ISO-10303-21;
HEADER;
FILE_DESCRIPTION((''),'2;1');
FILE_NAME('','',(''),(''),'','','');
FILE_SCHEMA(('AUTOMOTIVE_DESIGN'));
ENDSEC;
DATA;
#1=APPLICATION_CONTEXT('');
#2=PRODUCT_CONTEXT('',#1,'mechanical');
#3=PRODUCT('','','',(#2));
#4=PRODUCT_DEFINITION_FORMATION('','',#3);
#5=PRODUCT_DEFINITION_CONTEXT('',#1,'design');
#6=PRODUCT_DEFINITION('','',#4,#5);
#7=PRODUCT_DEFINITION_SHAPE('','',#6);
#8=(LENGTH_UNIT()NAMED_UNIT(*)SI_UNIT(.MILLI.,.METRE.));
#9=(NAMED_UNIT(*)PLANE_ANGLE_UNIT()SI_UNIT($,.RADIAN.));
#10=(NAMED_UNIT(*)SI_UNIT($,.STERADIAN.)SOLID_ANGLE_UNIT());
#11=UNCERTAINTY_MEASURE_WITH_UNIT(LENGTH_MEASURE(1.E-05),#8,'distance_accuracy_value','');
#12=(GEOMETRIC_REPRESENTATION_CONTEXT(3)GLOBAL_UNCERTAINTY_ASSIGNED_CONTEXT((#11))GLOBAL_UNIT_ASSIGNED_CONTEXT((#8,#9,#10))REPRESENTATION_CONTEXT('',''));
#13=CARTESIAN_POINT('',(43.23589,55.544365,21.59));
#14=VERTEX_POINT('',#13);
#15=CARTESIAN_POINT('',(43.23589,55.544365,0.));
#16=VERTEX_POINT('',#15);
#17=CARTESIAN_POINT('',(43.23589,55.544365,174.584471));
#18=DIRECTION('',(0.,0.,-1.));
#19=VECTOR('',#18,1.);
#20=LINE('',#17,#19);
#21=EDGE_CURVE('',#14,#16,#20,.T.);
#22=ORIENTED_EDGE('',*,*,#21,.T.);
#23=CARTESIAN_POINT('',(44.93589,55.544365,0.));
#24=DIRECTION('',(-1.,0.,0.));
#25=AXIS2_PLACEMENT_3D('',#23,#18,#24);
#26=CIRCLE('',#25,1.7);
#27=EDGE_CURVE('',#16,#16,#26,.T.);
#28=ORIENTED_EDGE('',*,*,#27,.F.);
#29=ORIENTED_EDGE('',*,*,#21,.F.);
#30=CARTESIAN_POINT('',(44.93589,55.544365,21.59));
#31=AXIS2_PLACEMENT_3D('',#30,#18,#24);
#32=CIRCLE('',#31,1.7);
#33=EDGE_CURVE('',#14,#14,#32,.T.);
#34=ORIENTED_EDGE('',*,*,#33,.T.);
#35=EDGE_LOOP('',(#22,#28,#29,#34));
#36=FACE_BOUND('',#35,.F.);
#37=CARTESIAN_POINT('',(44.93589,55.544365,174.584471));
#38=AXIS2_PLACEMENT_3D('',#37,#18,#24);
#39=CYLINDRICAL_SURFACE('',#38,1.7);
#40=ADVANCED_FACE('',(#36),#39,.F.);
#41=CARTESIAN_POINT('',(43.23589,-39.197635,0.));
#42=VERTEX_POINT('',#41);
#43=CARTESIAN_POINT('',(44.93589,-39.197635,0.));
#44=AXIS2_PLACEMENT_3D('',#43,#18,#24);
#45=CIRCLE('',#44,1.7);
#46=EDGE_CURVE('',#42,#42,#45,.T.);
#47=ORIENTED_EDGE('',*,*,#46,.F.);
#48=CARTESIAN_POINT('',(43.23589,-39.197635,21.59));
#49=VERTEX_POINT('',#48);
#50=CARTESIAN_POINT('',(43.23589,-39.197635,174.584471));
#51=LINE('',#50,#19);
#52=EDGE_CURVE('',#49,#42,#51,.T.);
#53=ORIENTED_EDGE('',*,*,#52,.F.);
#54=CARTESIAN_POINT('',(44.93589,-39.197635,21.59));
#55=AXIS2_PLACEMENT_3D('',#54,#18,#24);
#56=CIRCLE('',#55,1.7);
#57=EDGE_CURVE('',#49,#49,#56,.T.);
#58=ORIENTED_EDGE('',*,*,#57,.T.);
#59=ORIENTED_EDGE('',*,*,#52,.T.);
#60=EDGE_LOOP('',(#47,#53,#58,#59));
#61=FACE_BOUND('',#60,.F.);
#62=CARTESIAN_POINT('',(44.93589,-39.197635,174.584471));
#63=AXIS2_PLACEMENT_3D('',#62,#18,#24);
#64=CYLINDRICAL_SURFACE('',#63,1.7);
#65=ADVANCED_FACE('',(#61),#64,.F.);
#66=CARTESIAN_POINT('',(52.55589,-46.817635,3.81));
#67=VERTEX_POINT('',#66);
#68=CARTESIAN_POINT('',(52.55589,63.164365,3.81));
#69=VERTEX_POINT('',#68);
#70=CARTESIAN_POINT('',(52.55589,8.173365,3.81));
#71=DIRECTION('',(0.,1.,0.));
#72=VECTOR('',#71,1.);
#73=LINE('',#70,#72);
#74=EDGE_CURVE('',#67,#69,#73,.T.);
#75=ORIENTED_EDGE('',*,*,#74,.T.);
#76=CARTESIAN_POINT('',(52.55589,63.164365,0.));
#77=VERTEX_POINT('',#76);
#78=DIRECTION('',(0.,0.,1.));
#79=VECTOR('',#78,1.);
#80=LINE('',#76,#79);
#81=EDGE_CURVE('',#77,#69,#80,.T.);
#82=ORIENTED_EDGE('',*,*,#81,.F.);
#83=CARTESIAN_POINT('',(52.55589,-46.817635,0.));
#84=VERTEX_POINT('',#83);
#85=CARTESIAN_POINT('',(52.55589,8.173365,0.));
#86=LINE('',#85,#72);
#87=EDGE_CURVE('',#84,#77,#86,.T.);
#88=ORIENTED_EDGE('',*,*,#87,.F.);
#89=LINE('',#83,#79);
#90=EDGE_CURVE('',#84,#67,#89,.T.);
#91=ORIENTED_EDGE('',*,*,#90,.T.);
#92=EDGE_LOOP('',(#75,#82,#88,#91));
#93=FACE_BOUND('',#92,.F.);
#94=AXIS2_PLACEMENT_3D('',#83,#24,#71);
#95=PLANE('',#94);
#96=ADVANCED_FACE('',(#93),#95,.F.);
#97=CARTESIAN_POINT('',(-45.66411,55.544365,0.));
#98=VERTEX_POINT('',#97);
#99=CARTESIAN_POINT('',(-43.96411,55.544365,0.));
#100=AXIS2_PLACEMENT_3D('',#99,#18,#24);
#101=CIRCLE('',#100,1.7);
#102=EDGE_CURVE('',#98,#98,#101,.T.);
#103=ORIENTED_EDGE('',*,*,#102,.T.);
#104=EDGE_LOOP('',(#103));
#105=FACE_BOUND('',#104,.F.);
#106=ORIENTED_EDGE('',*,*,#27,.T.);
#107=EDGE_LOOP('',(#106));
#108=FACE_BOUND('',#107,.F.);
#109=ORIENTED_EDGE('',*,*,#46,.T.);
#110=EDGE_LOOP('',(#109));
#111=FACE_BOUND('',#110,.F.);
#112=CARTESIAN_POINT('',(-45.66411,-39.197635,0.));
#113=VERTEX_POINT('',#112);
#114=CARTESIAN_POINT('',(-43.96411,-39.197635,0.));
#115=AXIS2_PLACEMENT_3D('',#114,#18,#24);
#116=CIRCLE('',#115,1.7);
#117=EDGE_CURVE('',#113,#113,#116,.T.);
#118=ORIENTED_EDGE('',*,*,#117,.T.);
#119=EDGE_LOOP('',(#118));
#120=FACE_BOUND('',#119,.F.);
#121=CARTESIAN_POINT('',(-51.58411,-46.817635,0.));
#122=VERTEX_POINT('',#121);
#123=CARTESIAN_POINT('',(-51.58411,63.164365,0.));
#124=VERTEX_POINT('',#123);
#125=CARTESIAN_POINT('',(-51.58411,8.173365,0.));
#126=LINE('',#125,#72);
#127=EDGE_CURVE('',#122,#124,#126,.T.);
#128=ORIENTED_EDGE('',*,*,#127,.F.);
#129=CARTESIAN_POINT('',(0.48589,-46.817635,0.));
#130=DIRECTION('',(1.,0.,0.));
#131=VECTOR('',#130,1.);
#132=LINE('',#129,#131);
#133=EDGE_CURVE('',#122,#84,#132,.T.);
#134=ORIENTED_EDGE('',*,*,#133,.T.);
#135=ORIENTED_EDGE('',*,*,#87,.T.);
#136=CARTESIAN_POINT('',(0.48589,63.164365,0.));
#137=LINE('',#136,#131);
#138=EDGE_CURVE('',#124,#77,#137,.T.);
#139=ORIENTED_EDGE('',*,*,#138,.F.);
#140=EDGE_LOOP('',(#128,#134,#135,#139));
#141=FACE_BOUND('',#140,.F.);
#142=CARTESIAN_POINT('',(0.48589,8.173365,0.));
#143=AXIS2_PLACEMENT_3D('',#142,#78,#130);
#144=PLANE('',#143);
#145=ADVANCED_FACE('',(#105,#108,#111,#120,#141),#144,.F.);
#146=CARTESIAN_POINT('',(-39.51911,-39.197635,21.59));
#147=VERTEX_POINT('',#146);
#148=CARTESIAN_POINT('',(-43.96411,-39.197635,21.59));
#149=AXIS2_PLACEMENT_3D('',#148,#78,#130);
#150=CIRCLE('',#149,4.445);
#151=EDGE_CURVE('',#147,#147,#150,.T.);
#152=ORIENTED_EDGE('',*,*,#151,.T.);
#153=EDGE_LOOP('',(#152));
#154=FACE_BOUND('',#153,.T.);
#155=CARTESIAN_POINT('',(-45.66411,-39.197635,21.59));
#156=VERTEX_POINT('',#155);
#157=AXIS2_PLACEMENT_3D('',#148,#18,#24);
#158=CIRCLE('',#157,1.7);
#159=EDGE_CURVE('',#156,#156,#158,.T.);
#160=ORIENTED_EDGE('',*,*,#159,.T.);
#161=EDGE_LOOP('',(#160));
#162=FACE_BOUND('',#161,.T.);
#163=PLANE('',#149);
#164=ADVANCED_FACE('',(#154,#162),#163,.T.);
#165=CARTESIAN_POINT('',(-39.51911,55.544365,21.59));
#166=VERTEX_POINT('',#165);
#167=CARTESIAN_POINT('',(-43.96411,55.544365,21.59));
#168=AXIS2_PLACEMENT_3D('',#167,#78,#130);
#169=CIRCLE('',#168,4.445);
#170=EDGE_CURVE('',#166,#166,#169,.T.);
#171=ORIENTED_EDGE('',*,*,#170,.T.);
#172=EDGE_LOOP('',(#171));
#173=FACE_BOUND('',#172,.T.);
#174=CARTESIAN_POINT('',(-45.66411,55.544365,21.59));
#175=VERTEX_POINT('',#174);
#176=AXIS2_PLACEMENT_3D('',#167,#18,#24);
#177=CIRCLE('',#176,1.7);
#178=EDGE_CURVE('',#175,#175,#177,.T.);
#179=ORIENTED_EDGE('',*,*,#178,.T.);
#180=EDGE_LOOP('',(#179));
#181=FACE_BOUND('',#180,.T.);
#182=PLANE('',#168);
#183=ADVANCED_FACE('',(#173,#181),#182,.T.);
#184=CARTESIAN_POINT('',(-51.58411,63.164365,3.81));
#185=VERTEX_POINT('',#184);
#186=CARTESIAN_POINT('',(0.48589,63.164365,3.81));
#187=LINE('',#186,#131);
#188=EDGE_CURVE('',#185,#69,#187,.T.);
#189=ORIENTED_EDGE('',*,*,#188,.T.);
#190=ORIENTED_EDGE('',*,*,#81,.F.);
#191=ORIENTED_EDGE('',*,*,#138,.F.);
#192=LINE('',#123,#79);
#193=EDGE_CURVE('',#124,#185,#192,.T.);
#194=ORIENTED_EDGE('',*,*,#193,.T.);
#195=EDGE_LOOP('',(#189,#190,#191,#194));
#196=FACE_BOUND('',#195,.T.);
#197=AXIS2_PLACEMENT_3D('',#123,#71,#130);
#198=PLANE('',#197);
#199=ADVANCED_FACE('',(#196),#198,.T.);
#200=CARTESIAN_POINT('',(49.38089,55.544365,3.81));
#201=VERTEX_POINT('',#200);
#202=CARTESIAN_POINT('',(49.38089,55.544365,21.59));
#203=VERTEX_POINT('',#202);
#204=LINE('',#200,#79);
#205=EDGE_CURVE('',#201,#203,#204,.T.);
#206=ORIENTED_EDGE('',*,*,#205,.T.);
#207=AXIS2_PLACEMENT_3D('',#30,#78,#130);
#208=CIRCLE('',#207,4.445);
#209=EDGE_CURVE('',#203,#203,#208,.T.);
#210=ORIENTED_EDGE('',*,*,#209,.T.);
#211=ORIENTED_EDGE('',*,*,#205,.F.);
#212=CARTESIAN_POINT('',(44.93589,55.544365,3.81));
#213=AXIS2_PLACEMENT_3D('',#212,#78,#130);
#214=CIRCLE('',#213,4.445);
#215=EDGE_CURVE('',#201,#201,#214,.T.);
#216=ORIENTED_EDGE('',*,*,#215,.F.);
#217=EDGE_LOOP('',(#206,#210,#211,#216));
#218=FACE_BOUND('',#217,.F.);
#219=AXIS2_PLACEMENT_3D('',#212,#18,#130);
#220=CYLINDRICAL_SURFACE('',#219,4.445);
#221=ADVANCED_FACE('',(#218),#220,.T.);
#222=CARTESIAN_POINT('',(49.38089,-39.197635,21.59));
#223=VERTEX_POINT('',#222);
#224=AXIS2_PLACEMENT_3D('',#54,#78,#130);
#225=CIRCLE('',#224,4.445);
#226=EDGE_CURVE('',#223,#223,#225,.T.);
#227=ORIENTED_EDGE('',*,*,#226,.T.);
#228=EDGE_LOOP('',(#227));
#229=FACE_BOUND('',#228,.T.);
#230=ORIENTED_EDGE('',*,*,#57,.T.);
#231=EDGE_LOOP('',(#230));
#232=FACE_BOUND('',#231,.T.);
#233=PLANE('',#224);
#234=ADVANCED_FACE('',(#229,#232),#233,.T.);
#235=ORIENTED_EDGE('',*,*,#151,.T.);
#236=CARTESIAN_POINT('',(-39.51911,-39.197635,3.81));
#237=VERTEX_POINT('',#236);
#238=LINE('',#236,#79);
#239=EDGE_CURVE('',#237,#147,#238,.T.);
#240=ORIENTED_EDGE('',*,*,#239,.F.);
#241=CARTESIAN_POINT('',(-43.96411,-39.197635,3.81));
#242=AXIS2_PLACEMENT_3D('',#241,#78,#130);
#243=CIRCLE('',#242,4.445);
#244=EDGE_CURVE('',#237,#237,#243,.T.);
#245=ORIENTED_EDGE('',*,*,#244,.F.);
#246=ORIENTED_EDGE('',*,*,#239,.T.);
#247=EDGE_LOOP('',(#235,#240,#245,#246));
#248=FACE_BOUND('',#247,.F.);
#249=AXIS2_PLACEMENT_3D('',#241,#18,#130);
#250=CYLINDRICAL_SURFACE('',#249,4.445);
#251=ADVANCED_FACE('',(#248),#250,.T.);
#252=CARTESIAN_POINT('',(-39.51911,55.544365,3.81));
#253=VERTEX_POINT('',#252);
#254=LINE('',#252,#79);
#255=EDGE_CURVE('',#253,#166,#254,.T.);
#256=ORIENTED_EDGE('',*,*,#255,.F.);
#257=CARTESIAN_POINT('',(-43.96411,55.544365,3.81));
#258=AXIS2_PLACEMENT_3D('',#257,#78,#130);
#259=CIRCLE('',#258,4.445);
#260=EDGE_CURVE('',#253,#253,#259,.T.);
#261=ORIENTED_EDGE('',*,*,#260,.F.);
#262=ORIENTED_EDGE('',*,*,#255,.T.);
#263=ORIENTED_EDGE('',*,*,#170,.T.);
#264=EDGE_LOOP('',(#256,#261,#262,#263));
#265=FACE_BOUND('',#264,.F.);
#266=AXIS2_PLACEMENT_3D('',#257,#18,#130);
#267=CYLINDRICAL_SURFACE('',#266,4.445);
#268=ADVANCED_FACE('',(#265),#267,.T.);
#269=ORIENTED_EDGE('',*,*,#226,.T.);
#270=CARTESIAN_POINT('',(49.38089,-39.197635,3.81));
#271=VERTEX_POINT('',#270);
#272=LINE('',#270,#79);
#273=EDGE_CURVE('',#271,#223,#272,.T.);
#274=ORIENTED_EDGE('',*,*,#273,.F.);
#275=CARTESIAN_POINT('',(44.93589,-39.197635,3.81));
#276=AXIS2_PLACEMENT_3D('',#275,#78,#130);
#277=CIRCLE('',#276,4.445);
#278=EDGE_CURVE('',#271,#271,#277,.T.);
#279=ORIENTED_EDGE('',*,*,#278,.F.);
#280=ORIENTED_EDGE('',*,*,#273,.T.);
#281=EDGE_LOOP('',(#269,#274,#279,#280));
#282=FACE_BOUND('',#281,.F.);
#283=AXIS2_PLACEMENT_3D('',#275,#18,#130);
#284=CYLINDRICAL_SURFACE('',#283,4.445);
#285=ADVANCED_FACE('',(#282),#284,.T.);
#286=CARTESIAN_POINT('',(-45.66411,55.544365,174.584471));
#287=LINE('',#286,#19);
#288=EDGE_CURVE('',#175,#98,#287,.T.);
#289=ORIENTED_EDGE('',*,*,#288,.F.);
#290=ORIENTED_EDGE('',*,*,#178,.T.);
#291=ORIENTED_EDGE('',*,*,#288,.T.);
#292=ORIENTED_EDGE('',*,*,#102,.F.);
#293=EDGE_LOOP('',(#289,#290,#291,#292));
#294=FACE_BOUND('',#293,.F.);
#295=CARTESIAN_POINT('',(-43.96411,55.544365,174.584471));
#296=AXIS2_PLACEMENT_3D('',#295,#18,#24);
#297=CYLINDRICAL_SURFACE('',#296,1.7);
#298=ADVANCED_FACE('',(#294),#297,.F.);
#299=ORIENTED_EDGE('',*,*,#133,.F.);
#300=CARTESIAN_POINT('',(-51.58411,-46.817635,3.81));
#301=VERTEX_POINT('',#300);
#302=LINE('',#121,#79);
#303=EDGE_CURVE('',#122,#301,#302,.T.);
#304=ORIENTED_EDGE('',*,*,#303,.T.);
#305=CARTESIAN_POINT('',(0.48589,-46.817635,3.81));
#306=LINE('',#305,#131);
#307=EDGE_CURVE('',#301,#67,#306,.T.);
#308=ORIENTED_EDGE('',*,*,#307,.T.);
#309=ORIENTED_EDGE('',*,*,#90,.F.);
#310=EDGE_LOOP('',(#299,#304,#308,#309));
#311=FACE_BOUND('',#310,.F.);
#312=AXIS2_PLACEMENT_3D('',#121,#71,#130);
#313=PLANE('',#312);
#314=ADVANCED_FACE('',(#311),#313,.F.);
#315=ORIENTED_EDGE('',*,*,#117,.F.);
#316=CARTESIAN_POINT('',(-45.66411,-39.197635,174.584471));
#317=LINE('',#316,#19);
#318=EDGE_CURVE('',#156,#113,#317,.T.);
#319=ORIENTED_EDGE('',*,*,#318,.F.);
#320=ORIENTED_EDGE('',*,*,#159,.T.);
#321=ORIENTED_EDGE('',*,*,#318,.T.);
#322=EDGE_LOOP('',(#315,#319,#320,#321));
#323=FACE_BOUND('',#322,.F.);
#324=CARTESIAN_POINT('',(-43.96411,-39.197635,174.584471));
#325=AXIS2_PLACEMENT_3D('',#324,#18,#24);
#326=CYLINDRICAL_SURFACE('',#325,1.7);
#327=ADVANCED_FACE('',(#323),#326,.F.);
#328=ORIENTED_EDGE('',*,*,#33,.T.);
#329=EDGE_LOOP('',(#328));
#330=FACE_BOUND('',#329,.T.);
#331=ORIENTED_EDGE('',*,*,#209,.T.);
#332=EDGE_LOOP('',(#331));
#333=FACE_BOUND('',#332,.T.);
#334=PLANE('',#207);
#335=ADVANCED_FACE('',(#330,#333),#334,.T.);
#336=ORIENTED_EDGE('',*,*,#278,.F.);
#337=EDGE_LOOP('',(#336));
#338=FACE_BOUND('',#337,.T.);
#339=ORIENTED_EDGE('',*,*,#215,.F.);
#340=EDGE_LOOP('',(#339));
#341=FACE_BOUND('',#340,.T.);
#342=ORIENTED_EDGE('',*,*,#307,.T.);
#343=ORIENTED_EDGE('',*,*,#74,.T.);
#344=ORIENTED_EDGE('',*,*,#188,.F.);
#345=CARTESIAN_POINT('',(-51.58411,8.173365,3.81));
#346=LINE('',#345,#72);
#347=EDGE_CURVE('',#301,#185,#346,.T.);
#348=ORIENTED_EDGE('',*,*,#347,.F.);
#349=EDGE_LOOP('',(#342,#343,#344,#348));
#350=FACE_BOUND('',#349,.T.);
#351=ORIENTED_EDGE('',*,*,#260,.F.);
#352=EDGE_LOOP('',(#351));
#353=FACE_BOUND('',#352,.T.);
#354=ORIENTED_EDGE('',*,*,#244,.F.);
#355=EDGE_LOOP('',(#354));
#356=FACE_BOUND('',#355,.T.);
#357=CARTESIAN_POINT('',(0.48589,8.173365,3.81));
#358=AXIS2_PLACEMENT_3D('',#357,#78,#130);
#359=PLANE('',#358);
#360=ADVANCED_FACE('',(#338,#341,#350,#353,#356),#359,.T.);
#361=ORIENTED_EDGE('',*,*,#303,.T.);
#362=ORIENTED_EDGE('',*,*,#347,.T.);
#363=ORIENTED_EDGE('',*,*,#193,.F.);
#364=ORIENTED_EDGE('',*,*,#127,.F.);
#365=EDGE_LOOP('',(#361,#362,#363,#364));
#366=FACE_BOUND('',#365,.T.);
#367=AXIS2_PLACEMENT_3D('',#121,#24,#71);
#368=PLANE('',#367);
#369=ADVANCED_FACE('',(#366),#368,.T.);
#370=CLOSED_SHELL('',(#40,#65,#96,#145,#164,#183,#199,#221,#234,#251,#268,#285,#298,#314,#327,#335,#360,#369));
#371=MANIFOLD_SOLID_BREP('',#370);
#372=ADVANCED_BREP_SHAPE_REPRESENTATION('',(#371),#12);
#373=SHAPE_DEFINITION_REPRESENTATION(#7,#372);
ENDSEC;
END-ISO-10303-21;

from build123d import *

# Parameters (mm, degrees)
F0_W     = 104.14
F0_H     = 109.982
F1_DEPTH = 3.81
F2_R     = 4.445
F3_DEPTH = 17.78
F6_D     = 3.4


with BuildPart() as f1:
    # F0 (on Top) → F1 (new body)
    with BuildSketch(Plane.XY):
        with Locations((0.4858896136, 8.1733651346)):
            Rectangle(F0_W, F0_H)
    extrude(amount=F1_DEPTH)

    # F2 (on face) → F3 (join)
    with BuildSketch(Plane.XY.offset(3.81)):
        with Locations((-43.9641103864, 55.5443651346)):
            Circle(F2_R)
        with Locations((44.9358896136, 55.5443651346)):
            Circle(F2_R)
        with Locations((-43.9641103864, -39.1976348654)):
            Circle(F2_R)
        with Locations((44.9358896136, -39.1976348654)):
            Circle(F2_R)
    extrude(amount=F3_DEPTH)

    # F6 (through all)
    with Locations(Plane.XY.offset(21.59)):
        with Locations((-43.9641103864, 55.5443651346), (44.9358896136, 55.5443651346), (-43.9641103864, -39.1976348654), (44.9358896136, -39.1976348654)):
            Hole(F6_D / 2)


solid = f1.part
